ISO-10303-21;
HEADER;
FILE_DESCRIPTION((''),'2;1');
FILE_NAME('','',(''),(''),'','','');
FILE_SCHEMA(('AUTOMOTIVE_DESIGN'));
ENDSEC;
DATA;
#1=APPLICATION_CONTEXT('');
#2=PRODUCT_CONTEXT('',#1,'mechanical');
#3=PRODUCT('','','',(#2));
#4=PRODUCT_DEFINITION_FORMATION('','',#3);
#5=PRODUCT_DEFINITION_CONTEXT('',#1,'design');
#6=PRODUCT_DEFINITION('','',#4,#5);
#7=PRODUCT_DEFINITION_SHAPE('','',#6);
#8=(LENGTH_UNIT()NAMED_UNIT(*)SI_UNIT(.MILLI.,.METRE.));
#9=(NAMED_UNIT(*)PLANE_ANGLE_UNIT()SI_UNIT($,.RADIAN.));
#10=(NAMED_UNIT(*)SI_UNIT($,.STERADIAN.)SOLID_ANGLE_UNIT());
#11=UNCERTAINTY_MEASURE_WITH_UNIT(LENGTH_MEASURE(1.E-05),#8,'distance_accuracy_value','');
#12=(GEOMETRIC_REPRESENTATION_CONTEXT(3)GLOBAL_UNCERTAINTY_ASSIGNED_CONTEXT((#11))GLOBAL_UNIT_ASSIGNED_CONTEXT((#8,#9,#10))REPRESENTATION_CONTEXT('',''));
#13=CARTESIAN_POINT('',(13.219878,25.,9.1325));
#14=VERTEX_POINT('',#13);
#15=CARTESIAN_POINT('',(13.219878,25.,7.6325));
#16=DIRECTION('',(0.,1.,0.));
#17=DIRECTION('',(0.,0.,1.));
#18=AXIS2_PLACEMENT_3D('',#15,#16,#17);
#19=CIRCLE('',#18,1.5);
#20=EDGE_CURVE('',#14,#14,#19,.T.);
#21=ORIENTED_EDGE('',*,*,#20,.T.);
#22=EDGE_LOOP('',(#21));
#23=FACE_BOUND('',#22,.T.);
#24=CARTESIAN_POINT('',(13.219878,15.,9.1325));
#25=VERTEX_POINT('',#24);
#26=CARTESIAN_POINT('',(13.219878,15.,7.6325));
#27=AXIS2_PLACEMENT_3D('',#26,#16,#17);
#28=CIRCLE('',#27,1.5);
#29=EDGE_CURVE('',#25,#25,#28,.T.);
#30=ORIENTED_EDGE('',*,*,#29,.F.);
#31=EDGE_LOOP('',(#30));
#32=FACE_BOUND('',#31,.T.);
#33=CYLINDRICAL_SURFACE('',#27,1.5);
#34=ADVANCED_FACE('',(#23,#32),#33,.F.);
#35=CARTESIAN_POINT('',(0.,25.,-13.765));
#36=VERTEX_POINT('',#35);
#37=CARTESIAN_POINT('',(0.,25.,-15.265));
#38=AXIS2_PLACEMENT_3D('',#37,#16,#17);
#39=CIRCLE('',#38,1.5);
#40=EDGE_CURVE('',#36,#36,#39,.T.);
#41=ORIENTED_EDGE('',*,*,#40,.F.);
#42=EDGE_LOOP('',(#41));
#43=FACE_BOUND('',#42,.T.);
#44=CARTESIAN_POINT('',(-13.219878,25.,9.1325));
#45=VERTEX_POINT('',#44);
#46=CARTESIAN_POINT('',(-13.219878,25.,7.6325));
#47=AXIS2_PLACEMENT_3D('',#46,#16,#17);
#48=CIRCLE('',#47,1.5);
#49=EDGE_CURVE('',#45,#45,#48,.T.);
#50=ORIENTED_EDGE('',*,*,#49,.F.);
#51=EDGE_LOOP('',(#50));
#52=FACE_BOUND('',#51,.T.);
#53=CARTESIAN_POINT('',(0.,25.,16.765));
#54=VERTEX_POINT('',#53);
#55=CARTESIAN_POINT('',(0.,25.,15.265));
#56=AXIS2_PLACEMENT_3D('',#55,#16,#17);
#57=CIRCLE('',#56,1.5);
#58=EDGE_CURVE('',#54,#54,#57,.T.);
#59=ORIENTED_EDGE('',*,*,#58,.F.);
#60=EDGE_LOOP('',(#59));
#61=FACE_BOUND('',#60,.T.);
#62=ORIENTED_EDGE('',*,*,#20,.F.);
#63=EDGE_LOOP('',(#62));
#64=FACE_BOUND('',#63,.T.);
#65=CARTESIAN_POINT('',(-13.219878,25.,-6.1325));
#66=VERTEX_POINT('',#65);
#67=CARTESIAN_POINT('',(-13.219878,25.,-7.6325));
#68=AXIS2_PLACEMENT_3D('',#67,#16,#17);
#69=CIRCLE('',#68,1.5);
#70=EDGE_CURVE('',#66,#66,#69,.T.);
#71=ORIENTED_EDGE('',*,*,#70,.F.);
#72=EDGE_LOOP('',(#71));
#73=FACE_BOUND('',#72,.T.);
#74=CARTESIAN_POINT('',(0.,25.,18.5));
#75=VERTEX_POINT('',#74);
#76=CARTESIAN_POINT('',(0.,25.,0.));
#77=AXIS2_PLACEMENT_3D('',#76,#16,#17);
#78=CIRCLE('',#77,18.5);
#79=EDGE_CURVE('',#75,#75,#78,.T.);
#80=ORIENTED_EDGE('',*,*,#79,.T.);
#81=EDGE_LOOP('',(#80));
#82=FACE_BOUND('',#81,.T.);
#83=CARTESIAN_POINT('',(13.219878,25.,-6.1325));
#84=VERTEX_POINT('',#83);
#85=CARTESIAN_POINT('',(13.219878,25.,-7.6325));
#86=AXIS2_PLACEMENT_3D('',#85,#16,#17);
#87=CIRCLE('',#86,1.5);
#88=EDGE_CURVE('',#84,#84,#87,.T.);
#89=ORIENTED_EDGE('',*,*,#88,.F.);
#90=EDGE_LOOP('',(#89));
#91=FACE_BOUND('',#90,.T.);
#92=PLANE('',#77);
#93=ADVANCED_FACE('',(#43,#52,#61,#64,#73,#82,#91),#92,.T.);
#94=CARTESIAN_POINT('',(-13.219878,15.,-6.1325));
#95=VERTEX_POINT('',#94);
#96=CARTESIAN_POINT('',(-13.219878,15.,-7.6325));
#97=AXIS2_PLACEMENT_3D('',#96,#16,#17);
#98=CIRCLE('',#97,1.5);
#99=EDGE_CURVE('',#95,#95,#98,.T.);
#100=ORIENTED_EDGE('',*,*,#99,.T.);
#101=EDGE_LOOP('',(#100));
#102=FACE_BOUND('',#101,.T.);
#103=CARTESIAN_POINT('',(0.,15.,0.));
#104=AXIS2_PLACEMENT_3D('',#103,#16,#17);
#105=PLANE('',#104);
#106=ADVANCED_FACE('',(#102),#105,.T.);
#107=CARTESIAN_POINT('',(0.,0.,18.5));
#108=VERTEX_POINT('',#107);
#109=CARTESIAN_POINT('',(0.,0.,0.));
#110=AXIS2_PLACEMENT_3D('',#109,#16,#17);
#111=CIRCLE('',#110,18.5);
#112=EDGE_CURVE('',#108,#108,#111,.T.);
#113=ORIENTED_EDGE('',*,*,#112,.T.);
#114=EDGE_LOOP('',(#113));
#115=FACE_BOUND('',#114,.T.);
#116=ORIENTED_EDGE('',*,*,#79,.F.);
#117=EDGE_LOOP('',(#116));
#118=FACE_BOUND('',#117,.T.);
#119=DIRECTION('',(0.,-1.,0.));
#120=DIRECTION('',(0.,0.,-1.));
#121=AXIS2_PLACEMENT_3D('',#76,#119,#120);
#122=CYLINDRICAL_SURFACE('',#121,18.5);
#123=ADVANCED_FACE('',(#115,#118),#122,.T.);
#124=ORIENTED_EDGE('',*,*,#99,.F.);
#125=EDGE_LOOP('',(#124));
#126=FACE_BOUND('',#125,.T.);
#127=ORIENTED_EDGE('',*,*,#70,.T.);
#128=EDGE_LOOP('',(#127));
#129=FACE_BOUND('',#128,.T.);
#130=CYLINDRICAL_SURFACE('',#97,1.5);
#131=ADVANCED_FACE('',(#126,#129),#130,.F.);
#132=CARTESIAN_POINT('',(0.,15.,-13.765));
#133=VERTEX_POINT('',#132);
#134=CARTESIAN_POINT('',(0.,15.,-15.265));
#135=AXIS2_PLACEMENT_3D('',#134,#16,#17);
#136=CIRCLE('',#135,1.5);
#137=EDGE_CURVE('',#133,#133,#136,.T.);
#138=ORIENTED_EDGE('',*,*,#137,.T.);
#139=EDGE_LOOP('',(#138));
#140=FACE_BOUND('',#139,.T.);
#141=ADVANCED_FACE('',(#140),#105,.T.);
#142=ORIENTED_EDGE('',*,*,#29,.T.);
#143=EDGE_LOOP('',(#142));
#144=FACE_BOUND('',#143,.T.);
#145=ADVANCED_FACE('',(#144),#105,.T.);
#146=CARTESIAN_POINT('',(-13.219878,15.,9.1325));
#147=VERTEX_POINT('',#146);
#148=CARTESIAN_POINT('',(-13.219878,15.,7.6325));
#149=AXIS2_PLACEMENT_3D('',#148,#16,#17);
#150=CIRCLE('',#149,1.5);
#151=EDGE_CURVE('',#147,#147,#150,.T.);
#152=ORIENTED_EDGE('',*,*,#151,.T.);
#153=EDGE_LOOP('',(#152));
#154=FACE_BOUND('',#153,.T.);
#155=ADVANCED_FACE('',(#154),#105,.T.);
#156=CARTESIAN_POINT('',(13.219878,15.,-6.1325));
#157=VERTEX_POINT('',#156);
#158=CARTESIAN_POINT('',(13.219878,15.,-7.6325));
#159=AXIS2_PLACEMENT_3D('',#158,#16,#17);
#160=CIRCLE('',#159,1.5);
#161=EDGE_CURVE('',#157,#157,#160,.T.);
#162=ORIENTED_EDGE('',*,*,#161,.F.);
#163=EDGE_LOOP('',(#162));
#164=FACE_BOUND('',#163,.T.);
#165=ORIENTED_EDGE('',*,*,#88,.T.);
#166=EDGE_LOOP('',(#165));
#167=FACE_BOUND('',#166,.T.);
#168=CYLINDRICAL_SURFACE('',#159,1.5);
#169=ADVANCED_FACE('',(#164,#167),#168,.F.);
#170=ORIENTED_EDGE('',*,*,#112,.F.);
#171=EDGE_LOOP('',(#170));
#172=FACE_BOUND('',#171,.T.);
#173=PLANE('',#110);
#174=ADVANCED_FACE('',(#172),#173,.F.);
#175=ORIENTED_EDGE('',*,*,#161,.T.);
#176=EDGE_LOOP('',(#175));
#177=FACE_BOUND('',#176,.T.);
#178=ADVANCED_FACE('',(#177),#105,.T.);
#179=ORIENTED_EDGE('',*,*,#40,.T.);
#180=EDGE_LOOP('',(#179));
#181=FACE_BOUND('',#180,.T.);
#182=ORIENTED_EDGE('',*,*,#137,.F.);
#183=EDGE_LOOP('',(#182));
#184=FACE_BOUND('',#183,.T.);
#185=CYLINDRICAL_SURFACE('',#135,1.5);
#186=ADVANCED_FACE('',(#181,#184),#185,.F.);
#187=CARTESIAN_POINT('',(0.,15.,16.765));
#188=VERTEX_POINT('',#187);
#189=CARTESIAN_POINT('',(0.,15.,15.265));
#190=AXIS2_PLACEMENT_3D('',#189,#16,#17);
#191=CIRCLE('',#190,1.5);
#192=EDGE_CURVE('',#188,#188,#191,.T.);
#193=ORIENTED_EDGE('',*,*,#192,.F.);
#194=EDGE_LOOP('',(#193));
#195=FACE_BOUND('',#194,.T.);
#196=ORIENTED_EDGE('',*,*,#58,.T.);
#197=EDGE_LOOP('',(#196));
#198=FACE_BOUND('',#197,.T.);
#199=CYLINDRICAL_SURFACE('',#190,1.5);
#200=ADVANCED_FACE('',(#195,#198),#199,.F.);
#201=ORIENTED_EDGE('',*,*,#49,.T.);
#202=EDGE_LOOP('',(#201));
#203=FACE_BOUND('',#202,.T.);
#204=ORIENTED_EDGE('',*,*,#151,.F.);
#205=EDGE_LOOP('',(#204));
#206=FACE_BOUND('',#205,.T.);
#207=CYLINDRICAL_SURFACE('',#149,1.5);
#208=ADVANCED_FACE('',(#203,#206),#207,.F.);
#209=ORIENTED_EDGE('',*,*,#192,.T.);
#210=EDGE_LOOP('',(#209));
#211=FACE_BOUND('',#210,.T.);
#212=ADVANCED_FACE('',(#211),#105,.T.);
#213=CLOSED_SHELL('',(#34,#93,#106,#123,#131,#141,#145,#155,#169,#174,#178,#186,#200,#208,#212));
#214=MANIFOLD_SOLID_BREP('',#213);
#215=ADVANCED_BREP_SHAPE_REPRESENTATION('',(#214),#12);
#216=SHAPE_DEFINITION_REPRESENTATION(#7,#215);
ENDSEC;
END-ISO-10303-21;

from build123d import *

# Parameters (mm, degrees)
SKETCH1_R           = 18.5
BOSS_EXTRUDE1_DEPTH = 25
SKETCH2_R           = 1.5
CUT_EXTRUDE1_DEPTH  = 10


with BuildPart() as part:
    # Sketch1 → Boss-Extrude1 (new body)
    with BuildSketch(Plane(origin=(0, 0, 0), x_dir=(1, 0, 0), z_dir=(0, 1, 0))):
        Circle(SKETCH1_R)
    extrude(amount=BOSS_EXTRUDE1_DEPTH)

    # Sketch2 → Cut-Extrude1 (cut)
    with BuildSketch(Plane(origin=(0, 25, 0), x_dir=(1, 0, 0), z_dir=(0, 1, 0))):
        with Locations((0, 15.265)):
            Circle(SKETCH2_R)
        with Locations((13.219877789, 7.6325)):
            Circle(SKETCH2_R)
        with Locations((13.219877789, -7.6325)):
            Circle(SKETCH2_R)
        with Locations((0, -15.265)):
            Circle(SKETCH2_R)
        with Locations((-13.219877789, -7.6325)):
            Circle(SKETCH2_R)
        with Locations((-13.219877789, 7.6325)):
            Circle(SKETCH2_R)
    extrude(amount=-CUT_EXTRUDE1_DEPTH, mode=Mode.SUBTRACT)


solid = part.part
